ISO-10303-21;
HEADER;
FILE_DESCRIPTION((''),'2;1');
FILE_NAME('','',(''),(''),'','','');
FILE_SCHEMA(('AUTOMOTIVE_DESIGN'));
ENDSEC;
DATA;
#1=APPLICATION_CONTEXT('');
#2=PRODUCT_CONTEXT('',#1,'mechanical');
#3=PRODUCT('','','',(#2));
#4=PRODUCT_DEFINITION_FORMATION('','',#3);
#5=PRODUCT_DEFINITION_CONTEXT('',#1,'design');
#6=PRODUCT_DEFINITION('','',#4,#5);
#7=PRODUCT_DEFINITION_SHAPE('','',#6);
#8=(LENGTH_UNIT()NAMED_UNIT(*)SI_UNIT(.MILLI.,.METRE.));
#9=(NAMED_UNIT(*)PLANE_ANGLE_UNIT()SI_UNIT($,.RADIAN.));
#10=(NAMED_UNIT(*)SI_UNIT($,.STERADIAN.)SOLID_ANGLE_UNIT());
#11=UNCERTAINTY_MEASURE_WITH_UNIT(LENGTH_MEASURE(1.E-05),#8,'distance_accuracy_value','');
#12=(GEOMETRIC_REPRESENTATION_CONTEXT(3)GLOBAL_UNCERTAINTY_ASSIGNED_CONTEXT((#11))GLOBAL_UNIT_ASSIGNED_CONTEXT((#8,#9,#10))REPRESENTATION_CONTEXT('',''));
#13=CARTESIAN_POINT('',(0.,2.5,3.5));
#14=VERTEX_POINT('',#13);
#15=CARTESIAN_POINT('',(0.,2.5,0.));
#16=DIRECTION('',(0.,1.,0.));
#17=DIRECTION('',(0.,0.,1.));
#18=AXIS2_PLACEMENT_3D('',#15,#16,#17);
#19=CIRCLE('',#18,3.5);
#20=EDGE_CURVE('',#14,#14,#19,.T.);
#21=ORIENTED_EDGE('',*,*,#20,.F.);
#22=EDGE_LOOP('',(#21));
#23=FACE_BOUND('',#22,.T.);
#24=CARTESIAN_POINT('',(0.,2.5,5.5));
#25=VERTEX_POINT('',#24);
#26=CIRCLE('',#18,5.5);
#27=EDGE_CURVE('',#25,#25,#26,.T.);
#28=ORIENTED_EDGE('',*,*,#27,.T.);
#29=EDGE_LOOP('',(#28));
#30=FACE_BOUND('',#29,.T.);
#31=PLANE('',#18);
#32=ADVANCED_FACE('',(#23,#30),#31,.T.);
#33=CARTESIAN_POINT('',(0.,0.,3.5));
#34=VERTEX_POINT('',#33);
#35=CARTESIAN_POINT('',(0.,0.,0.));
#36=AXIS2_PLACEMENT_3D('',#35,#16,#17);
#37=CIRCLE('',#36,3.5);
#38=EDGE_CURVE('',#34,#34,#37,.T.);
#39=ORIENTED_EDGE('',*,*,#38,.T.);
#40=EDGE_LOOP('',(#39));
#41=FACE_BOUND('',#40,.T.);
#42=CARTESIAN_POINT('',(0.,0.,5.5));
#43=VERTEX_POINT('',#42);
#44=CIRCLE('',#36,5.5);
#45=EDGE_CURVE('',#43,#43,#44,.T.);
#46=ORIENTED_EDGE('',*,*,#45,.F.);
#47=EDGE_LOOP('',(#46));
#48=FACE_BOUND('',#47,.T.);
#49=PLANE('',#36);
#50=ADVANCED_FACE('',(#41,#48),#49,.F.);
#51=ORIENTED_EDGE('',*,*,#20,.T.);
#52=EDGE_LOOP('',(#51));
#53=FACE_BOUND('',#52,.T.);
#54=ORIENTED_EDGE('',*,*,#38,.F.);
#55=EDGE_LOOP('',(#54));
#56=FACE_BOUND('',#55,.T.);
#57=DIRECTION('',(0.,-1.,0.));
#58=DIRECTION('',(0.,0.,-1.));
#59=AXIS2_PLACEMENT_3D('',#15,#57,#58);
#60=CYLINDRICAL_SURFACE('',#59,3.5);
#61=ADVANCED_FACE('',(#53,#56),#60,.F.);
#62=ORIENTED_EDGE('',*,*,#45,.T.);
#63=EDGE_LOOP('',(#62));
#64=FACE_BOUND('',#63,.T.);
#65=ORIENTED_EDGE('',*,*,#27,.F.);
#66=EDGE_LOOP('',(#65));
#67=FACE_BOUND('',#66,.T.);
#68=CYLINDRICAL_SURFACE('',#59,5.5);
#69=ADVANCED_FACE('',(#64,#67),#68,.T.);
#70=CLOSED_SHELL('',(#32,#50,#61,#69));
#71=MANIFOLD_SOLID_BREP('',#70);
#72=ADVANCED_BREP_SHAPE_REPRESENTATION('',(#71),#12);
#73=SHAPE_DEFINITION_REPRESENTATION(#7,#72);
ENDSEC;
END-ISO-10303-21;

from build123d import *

# Parameters (mm, degrees)
SKETCH_1_R      = 5.5
SKETCH_1_R_2    = 3.5
EXTRUDE_1_DEPTH = 2.5


with BuildPart() as part:
    # 草图1 → 凸台-拉伸1 (new body)
    with BuildSketch(Plane(origin=(0, 0, 0), x_dir=(1, 0, 0), z_dir=(0, 1, 0))):
        Circle(SKETCH_1_R)
        Circle(SKETCH_1_R_2, mode=Mode.SUBTRACT)
    extrude(amount=EXTRUDE_1_DEPTH)


solid = part.part
